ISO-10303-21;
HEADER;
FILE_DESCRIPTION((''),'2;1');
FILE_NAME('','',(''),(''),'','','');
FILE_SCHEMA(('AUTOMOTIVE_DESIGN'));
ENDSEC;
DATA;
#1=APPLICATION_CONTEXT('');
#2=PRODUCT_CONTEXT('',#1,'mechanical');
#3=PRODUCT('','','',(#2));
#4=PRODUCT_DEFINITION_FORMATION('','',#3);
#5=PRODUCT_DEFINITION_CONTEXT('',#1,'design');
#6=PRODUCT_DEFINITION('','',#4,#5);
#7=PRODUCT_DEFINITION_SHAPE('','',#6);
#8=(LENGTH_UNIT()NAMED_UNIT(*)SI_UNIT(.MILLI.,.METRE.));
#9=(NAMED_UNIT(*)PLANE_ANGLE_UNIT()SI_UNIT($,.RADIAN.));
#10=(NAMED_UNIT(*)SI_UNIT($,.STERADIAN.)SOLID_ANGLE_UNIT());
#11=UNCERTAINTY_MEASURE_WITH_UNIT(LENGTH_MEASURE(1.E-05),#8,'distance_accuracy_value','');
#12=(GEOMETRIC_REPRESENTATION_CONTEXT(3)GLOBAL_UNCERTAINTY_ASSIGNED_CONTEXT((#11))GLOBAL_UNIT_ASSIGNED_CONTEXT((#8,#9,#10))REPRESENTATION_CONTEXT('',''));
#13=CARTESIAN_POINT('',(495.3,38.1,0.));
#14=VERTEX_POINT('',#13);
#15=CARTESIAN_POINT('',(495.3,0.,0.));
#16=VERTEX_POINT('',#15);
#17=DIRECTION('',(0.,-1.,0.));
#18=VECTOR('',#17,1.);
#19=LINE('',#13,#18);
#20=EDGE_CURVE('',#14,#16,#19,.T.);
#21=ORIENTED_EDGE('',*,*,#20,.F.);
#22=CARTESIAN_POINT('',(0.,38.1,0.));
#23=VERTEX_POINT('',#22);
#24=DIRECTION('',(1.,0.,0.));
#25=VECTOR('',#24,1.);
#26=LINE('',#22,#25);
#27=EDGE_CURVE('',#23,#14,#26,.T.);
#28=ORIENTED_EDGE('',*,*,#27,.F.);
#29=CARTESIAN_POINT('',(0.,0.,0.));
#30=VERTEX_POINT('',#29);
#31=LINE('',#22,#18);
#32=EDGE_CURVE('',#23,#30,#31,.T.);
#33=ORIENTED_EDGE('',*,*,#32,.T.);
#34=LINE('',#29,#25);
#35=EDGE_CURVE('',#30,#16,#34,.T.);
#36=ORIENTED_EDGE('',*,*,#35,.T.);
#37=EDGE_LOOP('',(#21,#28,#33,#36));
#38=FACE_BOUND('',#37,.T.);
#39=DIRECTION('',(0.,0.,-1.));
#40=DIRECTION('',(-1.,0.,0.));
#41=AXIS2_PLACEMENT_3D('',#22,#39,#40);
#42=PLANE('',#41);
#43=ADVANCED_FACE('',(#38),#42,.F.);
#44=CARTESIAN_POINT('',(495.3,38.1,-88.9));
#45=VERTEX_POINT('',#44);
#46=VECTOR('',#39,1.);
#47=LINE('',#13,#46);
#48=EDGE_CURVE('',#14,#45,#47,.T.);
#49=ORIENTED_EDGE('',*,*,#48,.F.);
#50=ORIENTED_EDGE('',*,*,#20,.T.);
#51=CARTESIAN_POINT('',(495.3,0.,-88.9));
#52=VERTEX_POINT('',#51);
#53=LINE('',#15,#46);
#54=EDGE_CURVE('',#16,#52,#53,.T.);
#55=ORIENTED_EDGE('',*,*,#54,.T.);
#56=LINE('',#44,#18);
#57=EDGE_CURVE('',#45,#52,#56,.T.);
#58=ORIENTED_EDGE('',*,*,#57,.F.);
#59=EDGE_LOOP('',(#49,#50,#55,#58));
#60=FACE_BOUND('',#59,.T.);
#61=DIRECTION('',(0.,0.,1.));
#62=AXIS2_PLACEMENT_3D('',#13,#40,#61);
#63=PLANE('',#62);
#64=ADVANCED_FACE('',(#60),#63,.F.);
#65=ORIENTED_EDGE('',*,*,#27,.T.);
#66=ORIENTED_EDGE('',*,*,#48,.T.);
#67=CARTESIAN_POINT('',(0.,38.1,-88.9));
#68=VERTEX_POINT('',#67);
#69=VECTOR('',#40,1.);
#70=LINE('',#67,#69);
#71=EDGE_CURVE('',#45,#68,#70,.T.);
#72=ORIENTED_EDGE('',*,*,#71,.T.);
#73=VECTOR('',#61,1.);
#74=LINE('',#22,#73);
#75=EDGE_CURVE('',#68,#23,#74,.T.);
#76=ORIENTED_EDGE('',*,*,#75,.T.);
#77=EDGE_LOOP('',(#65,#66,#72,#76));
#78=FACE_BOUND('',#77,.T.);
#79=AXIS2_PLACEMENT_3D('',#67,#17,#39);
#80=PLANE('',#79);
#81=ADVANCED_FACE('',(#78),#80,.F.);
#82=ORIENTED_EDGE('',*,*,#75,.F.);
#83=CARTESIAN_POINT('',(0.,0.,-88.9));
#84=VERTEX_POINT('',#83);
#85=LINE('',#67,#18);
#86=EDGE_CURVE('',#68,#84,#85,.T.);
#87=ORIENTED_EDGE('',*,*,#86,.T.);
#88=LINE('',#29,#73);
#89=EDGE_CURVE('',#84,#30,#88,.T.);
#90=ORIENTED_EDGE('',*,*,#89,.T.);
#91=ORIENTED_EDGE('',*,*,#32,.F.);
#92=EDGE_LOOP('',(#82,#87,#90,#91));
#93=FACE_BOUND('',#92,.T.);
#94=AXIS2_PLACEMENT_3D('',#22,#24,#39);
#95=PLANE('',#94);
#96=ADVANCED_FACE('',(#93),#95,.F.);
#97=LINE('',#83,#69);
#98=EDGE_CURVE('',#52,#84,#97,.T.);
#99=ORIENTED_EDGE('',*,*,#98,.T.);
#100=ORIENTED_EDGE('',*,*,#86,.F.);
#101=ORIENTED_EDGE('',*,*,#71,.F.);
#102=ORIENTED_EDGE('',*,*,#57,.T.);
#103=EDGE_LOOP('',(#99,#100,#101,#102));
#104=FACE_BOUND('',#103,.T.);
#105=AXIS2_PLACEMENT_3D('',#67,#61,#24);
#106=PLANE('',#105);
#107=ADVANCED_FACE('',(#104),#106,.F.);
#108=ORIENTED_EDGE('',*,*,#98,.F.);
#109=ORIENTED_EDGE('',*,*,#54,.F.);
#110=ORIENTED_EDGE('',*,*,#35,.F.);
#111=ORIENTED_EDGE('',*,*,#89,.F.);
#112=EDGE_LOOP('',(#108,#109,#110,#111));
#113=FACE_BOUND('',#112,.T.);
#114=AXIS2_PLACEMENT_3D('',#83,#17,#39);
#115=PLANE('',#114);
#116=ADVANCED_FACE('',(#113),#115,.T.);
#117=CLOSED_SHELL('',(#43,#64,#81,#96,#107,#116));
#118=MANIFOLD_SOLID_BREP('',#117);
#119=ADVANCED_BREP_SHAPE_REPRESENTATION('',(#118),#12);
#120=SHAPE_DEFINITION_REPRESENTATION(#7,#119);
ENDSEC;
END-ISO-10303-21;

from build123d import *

# Parameters (mm, degrees)
SKETCH1_W           = 495.3
SKETCH1_H           = 88.9
BOSS_EXTRUDE1_DEPTH = 38.1


with BuildPart() as part:
    # Sketch1 → Boss-Extrude1 (new body)
    with BuildSketch(Plane(origin=(0, 0, 0), x_dir=(1, 0, 0), z_dir=(0, 1, 0))):
        with Locations((247.65, 44.45)):
            Rectangle(SKETCH1_W, SKETCH1_H)
    extrude(amount=BOSS_EXTRUDE1_DEPTH)


solid = part.part
